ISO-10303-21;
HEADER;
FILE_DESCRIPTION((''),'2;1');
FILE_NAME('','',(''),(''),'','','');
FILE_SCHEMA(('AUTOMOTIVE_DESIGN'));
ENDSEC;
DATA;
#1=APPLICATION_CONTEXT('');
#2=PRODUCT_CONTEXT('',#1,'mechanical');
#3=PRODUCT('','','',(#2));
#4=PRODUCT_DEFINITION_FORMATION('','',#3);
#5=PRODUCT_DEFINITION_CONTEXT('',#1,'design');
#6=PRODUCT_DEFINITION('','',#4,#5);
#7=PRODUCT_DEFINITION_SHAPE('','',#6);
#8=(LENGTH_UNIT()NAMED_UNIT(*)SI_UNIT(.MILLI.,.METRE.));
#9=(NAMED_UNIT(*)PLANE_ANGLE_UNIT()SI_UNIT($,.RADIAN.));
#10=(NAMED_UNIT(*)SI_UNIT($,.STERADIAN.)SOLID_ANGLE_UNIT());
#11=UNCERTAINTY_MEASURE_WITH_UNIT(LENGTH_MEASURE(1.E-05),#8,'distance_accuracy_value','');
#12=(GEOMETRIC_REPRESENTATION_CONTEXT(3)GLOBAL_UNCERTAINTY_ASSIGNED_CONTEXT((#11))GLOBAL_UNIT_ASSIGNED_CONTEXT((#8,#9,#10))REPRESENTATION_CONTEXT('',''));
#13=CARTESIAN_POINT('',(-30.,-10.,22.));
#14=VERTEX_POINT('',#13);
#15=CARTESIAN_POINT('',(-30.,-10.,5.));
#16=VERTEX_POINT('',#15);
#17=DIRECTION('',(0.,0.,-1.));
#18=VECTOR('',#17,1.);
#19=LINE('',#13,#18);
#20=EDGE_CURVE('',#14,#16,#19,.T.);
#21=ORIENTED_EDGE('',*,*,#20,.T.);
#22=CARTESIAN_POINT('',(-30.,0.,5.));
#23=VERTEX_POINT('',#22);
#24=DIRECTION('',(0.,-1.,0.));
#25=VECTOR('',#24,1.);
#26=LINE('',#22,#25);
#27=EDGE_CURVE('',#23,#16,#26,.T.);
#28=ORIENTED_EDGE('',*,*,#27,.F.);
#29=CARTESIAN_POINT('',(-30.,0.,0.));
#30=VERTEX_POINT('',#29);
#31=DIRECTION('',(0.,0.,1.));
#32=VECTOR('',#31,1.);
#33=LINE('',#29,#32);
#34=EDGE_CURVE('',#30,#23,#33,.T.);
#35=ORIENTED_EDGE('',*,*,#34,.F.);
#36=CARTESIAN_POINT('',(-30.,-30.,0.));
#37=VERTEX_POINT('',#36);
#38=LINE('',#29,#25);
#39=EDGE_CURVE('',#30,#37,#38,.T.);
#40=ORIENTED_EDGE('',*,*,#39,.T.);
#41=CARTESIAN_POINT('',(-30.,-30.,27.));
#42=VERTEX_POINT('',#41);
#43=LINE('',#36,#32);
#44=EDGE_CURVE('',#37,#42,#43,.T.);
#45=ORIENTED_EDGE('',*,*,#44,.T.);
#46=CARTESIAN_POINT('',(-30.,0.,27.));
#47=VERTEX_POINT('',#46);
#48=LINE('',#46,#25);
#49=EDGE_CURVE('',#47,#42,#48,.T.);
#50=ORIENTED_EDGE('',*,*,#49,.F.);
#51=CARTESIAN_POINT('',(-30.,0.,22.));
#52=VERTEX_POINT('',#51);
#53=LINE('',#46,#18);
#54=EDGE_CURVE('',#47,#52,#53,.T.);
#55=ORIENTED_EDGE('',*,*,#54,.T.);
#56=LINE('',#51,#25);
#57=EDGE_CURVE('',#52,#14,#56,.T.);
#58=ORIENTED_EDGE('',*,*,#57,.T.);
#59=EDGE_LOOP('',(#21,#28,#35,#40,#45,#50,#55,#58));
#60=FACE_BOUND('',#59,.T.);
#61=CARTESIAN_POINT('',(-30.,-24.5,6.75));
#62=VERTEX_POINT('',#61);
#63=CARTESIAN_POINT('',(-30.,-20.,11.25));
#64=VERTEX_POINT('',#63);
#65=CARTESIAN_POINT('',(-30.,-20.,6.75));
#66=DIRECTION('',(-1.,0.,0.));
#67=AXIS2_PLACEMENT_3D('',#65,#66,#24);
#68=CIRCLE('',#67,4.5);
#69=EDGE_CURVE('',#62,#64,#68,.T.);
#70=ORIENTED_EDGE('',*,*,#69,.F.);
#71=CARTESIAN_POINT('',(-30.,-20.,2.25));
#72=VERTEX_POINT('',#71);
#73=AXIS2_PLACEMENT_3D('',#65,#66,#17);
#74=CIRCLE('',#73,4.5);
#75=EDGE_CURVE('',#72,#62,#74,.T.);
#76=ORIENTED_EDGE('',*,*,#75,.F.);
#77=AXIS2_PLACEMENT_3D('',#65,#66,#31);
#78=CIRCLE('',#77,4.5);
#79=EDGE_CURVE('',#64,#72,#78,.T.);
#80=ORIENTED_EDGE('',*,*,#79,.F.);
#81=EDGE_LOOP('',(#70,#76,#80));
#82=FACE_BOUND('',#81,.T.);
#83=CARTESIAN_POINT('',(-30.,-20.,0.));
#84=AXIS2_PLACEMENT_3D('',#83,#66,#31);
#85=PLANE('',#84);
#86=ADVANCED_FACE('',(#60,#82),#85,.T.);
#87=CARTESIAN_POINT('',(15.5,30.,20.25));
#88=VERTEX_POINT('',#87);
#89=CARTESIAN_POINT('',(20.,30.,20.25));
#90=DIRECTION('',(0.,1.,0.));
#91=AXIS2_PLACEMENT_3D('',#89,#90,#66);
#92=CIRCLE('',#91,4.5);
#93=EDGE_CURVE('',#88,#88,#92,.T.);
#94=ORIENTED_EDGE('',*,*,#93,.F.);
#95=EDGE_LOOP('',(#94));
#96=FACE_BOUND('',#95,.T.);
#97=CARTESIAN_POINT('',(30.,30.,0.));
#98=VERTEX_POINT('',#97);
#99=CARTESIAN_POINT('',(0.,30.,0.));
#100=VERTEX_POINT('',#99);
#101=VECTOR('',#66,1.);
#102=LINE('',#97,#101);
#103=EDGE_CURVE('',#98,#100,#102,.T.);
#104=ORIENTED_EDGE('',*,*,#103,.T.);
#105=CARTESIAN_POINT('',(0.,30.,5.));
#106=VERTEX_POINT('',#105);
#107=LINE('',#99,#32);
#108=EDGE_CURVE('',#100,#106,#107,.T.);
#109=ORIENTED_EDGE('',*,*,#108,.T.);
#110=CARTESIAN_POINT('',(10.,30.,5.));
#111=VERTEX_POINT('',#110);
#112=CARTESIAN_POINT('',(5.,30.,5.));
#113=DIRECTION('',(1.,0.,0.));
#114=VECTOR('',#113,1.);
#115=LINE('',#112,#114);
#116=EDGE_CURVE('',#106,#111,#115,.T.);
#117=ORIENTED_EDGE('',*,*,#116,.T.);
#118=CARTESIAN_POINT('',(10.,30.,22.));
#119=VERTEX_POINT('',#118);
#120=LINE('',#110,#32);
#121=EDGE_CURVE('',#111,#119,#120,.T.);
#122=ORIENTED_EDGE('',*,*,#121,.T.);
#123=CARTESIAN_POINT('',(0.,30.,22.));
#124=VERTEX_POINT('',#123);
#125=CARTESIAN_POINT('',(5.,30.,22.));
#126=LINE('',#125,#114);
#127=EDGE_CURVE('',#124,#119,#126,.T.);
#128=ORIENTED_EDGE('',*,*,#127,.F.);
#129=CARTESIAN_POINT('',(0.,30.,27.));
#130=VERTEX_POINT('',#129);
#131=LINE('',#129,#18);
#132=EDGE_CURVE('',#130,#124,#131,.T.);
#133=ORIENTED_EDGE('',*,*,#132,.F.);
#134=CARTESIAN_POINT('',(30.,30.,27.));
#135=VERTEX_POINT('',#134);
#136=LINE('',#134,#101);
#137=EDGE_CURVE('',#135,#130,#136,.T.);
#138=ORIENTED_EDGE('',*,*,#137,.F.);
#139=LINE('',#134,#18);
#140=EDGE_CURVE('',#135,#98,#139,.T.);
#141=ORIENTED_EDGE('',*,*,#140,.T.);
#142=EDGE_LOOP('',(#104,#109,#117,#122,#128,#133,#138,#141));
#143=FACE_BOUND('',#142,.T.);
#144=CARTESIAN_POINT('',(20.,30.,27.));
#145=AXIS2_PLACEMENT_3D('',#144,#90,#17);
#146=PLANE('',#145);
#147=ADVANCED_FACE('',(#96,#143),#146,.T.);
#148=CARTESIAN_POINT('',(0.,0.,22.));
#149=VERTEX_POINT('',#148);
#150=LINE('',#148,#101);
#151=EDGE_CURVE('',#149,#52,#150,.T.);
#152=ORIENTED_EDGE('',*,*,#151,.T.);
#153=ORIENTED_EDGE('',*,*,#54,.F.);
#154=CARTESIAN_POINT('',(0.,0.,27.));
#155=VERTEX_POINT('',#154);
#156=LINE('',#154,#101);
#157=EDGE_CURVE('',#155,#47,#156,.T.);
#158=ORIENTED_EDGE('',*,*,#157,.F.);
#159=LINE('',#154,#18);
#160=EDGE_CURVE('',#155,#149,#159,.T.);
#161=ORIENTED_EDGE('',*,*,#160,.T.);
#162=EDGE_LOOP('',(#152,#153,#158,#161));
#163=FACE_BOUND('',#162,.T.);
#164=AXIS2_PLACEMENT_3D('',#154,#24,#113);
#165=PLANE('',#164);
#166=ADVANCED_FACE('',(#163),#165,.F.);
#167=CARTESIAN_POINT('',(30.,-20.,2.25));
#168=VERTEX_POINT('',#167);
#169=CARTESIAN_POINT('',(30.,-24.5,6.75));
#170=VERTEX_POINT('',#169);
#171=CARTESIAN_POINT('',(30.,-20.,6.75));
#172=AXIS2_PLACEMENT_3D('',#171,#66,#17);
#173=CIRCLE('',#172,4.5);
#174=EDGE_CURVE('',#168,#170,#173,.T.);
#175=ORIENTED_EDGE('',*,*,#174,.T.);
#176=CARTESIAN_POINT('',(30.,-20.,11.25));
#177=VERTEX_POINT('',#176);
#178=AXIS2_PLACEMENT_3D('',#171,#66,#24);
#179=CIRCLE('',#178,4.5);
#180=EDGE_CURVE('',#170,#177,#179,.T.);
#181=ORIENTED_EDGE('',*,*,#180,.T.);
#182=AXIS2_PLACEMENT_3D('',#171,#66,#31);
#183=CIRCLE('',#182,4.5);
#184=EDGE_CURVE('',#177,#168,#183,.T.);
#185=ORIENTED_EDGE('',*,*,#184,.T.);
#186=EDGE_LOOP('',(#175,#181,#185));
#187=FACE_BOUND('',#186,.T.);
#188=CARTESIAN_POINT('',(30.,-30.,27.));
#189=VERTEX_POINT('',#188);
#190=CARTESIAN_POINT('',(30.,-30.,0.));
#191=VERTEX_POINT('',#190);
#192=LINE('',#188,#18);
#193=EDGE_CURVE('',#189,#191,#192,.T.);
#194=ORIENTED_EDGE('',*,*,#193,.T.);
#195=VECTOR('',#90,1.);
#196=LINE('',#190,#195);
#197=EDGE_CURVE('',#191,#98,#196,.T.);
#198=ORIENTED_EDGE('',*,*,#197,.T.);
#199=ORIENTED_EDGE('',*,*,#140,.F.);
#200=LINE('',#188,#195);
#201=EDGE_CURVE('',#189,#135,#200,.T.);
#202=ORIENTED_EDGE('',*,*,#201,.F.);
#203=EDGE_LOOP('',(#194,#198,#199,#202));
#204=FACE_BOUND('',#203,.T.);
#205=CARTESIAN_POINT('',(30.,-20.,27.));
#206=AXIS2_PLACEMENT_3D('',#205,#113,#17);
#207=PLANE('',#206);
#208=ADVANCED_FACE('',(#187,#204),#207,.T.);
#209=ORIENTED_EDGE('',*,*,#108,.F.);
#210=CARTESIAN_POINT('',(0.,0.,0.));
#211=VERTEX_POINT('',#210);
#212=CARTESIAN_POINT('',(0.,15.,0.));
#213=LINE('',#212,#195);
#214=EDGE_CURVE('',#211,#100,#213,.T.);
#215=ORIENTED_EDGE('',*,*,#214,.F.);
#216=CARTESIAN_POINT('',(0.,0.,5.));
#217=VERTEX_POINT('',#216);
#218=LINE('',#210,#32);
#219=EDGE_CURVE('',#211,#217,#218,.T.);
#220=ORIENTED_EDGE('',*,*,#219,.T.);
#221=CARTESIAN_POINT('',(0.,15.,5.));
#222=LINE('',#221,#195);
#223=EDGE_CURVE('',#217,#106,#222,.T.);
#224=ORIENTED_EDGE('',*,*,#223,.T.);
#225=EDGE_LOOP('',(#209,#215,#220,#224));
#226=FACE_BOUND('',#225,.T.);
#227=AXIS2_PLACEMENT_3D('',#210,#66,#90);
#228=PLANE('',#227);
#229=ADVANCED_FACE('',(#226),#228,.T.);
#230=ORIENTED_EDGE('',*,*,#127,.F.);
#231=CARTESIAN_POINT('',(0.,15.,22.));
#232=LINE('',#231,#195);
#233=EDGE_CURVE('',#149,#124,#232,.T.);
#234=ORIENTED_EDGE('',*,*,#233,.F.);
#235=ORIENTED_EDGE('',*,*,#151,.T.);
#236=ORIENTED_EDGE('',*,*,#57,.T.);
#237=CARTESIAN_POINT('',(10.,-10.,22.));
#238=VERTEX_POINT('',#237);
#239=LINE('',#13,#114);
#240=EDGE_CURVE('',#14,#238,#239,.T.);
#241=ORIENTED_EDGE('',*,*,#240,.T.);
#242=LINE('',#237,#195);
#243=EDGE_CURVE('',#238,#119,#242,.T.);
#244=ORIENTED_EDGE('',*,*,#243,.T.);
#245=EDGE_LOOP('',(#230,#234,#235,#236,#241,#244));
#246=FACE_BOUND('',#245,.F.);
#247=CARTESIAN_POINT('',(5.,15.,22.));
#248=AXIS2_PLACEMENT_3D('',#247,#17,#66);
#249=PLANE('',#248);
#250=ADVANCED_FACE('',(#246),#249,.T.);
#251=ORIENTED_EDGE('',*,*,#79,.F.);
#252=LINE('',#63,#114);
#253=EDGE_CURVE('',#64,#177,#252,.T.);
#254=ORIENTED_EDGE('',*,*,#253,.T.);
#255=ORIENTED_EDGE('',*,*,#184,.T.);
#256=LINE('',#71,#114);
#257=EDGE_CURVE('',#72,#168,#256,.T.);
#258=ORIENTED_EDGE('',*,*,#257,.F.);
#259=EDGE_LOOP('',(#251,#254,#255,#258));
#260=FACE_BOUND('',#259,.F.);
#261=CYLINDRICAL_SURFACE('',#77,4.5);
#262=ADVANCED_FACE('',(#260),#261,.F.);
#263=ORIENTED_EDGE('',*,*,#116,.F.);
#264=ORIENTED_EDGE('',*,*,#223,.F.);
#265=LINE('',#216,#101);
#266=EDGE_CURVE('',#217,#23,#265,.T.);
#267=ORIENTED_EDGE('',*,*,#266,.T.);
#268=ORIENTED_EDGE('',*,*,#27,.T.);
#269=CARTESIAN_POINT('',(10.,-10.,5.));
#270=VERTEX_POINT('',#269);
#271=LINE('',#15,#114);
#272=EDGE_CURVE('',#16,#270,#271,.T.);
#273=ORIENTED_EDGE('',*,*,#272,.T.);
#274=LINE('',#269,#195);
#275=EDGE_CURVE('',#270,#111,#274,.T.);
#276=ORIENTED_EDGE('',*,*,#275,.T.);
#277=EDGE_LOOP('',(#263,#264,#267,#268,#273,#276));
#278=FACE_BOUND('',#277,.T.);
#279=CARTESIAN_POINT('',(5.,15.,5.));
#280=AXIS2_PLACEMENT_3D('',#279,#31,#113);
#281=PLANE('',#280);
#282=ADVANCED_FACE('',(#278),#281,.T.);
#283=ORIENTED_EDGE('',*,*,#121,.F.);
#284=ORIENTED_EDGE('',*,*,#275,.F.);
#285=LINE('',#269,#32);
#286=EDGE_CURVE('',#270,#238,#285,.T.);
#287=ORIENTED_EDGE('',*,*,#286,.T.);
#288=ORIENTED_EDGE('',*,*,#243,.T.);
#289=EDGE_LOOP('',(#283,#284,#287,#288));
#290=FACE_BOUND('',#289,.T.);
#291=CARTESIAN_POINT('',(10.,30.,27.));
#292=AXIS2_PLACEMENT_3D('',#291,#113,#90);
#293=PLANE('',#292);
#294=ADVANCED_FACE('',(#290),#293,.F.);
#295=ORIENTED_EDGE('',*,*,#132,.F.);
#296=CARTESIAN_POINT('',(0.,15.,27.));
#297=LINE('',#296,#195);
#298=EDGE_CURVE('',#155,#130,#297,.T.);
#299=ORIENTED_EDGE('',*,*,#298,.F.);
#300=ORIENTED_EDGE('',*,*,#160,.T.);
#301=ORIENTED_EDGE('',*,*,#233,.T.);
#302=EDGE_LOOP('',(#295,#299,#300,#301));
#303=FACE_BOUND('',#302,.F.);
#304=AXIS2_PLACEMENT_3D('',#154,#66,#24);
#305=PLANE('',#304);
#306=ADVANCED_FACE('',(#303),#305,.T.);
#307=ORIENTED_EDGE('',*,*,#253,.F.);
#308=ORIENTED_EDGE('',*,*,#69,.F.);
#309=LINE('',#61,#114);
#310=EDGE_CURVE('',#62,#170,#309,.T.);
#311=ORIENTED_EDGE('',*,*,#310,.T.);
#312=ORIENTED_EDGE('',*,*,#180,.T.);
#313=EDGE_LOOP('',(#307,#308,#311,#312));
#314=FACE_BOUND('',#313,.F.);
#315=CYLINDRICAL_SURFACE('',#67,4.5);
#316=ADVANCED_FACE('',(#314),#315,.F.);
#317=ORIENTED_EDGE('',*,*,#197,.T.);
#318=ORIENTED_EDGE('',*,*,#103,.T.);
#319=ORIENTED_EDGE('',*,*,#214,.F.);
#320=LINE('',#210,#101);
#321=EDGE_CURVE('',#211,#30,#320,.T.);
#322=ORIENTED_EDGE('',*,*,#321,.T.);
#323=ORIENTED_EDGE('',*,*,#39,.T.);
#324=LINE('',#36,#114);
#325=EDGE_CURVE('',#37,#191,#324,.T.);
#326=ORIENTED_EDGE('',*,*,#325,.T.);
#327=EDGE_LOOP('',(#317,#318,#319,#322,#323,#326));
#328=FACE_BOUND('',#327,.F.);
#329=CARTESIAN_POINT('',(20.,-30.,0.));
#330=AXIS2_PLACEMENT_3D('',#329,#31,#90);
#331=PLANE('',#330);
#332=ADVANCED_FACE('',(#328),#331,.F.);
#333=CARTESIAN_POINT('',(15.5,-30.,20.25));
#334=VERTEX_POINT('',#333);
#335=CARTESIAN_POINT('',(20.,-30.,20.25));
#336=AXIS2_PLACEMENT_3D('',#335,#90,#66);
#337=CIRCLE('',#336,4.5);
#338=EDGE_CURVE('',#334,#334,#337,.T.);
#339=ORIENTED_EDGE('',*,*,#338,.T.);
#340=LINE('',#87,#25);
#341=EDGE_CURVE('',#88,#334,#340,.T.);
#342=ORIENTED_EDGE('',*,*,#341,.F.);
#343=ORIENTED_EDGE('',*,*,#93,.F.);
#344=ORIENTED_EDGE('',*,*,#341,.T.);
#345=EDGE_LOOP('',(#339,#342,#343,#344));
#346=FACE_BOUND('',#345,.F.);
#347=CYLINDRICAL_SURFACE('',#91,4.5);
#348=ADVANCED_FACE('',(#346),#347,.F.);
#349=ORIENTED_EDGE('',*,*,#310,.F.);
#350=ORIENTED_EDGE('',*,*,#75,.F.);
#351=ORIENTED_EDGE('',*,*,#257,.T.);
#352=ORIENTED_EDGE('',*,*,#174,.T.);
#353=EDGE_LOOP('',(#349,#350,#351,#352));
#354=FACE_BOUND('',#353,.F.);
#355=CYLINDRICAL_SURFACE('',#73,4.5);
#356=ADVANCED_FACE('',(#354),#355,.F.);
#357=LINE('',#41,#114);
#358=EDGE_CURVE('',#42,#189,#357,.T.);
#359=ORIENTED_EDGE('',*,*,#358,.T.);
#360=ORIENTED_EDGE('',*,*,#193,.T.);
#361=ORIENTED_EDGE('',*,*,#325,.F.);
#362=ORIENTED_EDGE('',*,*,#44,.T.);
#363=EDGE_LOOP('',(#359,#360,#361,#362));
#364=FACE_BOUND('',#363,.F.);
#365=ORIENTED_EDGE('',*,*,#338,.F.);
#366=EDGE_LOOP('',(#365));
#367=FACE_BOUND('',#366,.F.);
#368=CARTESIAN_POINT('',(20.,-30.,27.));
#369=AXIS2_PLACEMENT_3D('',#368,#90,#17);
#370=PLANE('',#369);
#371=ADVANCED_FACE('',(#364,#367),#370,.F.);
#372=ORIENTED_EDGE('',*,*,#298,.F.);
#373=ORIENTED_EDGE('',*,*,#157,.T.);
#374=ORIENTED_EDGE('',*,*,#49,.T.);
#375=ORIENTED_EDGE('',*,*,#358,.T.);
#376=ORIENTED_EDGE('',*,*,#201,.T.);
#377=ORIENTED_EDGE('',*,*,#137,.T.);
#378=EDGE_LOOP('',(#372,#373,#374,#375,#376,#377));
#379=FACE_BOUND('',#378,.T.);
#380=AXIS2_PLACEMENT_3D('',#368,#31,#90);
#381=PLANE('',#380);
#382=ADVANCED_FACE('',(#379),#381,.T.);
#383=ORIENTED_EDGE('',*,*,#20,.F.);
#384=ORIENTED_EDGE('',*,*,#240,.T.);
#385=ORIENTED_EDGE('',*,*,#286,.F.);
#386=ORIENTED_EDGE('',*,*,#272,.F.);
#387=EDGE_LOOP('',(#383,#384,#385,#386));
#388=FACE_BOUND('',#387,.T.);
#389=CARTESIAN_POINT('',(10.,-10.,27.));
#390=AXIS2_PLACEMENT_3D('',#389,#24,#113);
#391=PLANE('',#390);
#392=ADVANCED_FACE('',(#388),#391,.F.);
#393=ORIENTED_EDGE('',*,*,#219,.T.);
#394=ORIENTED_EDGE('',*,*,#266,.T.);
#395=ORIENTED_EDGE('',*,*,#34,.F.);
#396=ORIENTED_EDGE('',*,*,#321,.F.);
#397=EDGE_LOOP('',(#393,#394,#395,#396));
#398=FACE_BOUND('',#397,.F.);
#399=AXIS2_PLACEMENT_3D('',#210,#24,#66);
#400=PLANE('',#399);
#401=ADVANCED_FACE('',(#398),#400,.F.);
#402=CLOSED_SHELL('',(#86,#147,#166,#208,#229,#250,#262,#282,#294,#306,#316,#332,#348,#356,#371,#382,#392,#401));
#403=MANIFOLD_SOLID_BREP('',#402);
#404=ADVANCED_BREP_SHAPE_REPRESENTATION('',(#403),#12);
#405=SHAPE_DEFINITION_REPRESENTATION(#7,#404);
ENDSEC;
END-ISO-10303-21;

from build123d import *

# Parameters (mm, degrees)
F0_W      = 25
F0_H      = 10
F0_W_2    = 10
F0_H_2    = 30
F1_DEPTH  = 27
F3_DEPTH  = 5
F5_DEPTH  = 13.5
F7_DEPTH  = 10
F8_DEPTH  = 10
F9_R      = 4.5
F10_DEPTH = 60
F12_DEPTH = 60.001


with BuildPart() as f1:
    # F0 (on Top) → F1 (new body)
    with BuildSketch(Plane.XY):
        Polygon((20, 0), (10, 0), (10, -10), (-5, -10), (-5, -20), (20, -20), align=None)
        with Locations((-17.5, -15)):
            Rectangle(F0_W, F0_H)
        with Locations((15, 15)):
            Rectangle(F0_W_2, F0_H_2)
    extrude(amount=F1_DEPTH)

    # F0 (on Top) → F3 (join)
    with BuildSketch(Plane.XY):
        with Locations((5, 15)):
            Rectangle(F0_W_2, F0_H_2)
        Polygon((10, 0), (0, 0), (-30, 0), (-30, -10), (-5, -10), (10, -10), align=None)
    extrude(amount=F3_DEPTH)

    # F5 (cut, through all): a face of the model
    f5_faces = [f1.faces().sort_by_distance(p)[0] for p in [
        (-10, -10.7071067812, 27),
    ]]
    extrude(f5_faces, amount=-F5_DEPTH, mode=Mode.SUBTRACT)

    # F6: F1 across plane


with BuildPart() as f1_1:
    add(f1.part)
    add(f1.part.mirror(Plane(origin=(0, 0, 13.5), x_dir=(1, 0, 0), z_dir=(0, 0, -1))))

    # F7 (add): a face of the model
    f7_faces = [f1_1.faces().sort_by_distance(p)[0] for p in [
        (-5, -20, 13.5),
    ]]
    extrude(f7_faces, amount=F7_DEPTH)

    # F8 (add): a face of the model
    f8_faces = [f1_1.faces().sort_by_distance(p)[0] for p in [
        (20, 0, 13.5),
    ]]
    extrude(f8_faces, amount=F8_DEPTH)

    # F9 (on face) → F10 (cut, through all)
    with BuildSketch(Plane(origin=(0, 30, 0), x_dir=(-1, 0, 0), z_dir=(0, 1, 0))):
        with Locations((-20, 20.25)):
            Circle(F9_R)
    extrude(amount=-F10_DEPTH, mode=Mode.SUBTRACT)

    # F11 (on face) → F12 (cut, through all)
    with BuildSketch(Plane(origin=(-30, 0, 0), x_dir=(0, -1, 0), z_dir=(-1, 0, 0))):
        with BuildLine():
            ThreePointArc((24.5, 6.75), (23.1819805153, 9.9319805153), (20, 11.25))
            Line((20, 11.25), (20, 2.25))
            ThreePointArc((20, 2.25), (23.1819805153, 3.5680194847), (24.5, 6.75))
        make_face()
        with BuildLine():
            Line((20, 2.25), (20, 11.25))
            ThreePointArc((20, 11.25), (15.5, 6.75), (20, 2.25))
        make_face()
    extrude(amount=-F12_DEPTH, mode=Mode.SUBTRACT)


solid = f1_1.part
